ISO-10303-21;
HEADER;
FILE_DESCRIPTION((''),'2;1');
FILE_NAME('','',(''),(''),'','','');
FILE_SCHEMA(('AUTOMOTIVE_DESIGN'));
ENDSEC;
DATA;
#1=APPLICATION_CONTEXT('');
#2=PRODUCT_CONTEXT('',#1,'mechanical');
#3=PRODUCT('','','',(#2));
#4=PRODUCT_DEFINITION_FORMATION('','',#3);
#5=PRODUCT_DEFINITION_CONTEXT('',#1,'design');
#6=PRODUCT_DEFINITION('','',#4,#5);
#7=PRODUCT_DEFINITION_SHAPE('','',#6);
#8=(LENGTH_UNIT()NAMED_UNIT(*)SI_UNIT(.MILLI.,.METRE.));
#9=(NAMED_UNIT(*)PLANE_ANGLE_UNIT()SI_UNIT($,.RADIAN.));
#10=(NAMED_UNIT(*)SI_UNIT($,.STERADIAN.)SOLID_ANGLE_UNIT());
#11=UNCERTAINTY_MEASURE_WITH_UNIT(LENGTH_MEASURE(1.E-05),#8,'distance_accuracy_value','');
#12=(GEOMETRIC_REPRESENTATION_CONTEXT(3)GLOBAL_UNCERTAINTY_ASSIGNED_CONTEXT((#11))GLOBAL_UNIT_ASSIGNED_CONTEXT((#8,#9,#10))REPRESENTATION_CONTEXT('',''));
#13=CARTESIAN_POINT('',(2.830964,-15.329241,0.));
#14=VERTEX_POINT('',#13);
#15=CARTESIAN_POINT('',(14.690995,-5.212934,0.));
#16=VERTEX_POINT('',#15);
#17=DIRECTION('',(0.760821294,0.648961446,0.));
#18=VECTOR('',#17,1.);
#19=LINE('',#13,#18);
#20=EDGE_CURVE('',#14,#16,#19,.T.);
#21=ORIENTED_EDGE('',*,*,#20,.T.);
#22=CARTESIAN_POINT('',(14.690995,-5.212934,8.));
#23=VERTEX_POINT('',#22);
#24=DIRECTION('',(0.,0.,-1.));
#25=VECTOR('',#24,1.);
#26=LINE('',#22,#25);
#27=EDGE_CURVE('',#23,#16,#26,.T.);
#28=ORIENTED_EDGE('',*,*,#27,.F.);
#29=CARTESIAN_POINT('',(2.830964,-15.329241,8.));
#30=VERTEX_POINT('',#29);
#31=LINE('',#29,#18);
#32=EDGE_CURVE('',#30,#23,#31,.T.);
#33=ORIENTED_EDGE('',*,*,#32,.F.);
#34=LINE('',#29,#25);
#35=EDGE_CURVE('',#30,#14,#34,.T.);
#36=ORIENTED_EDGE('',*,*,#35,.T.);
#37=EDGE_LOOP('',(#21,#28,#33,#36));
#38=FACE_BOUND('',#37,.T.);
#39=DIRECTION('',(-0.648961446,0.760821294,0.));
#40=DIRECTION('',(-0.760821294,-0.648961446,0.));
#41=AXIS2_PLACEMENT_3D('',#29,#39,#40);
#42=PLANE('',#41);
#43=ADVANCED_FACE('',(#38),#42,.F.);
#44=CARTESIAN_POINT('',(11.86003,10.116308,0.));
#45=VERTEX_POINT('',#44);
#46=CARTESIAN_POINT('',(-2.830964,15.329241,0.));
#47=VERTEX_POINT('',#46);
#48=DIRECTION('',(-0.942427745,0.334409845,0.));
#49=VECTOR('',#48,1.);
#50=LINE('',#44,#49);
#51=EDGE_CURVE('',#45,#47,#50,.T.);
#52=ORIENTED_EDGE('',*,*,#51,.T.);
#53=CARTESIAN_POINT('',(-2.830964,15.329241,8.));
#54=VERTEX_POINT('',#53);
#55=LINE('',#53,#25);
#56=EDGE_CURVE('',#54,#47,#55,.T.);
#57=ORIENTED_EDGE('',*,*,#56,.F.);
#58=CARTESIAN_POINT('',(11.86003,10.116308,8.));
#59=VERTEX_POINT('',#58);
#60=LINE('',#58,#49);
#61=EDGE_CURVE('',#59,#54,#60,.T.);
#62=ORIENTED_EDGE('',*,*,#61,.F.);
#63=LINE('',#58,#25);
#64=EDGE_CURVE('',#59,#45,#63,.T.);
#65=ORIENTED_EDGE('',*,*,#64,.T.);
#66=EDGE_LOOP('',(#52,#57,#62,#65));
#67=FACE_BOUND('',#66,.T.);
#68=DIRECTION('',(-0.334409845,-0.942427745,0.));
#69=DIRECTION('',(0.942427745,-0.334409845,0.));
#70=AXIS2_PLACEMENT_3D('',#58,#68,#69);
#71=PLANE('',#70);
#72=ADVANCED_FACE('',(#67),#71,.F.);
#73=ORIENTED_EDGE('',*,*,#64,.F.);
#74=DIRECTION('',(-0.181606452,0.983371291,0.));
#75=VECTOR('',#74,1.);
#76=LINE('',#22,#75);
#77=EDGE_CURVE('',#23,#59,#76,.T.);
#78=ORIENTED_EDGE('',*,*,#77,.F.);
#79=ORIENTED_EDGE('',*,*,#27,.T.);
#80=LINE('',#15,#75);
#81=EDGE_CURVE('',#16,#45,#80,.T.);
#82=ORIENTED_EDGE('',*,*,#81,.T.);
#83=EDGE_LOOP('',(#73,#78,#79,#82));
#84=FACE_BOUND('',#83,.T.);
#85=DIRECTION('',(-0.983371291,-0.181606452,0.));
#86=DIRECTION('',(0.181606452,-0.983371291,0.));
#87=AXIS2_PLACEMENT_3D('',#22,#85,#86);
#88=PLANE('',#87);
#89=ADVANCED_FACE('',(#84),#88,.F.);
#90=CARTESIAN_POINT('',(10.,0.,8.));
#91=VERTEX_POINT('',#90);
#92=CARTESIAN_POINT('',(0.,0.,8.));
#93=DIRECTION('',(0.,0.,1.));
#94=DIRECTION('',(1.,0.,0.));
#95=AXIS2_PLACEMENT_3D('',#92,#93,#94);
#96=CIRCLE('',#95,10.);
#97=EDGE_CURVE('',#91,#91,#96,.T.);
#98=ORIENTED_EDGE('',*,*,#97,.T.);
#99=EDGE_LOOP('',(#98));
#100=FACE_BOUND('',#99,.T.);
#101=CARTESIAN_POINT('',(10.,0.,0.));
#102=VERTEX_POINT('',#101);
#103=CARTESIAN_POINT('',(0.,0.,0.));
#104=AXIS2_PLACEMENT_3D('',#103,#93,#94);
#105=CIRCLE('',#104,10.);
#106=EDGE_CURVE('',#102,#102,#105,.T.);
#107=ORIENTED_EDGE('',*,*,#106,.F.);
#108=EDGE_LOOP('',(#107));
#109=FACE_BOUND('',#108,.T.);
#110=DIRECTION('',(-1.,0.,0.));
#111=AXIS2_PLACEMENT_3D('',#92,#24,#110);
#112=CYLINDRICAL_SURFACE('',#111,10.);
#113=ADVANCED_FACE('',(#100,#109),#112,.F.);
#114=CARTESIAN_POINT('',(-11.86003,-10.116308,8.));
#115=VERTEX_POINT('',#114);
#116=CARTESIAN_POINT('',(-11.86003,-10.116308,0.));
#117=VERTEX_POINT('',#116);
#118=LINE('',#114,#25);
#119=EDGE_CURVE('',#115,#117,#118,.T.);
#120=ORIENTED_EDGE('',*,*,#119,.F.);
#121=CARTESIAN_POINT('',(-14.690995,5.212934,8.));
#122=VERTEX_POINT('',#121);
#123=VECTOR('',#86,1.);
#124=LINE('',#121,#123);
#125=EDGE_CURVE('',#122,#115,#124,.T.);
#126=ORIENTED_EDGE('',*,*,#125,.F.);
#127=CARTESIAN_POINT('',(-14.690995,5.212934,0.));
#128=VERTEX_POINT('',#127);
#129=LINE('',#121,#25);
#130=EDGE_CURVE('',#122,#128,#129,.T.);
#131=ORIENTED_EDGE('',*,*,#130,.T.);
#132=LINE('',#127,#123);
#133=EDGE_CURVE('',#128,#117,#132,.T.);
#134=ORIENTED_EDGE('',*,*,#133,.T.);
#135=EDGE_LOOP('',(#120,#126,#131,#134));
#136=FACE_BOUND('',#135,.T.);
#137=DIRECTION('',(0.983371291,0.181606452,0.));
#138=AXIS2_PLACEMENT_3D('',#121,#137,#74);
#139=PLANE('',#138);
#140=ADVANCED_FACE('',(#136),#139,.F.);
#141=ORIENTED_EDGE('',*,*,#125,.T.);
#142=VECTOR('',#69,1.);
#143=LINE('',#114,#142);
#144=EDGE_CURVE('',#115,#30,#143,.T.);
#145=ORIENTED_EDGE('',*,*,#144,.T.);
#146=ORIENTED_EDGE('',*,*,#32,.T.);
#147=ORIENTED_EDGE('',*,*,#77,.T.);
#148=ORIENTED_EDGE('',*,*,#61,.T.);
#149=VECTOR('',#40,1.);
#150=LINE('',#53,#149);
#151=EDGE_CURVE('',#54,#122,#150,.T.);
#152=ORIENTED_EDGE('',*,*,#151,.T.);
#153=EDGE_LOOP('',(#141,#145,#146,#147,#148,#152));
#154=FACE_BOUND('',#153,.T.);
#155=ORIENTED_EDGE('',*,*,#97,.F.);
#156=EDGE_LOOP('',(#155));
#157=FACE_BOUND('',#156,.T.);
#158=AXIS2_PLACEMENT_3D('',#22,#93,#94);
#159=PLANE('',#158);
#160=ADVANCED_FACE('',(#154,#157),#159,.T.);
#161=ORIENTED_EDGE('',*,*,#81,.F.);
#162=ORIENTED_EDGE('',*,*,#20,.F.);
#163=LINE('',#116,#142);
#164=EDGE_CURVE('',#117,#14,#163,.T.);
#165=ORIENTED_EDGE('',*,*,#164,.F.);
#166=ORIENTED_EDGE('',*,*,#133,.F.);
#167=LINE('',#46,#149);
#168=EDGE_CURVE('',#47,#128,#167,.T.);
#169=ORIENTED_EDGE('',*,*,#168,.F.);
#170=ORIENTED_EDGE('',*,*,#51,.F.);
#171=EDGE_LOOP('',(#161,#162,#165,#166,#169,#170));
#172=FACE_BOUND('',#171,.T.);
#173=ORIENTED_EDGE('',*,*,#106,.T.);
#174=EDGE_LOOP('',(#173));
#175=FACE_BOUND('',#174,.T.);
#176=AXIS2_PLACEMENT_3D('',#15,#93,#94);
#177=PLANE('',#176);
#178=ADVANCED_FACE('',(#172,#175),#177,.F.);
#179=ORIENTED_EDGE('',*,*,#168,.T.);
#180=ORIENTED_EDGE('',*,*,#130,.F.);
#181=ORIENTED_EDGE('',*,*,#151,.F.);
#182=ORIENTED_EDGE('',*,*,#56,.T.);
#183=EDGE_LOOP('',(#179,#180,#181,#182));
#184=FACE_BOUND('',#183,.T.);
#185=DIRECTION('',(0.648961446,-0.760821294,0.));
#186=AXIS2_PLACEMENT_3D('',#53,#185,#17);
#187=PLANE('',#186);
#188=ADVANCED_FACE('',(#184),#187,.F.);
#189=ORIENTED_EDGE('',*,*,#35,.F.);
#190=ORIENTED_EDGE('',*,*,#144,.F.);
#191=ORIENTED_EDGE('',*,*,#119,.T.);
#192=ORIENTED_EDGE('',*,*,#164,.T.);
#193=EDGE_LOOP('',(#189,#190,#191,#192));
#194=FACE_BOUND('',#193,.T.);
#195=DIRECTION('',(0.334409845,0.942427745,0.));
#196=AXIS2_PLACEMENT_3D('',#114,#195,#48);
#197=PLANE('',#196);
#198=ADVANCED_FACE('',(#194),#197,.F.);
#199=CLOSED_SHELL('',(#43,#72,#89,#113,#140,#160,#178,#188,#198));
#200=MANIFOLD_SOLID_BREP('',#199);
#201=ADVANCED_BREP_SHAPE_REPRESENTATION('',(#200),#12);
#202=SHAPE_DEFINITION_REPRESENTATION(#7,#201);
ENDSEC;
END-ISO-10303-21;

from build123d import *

# Parameters (mm, degrees)
SKETCH_1_R      = 10
EXTRUDE_1_DEPTH = 8


with BuildPart() as part:
    # 草图1 → 拉伸1 (new body)
    with BuildSketch(Plane.XY):
        Polygon((14.690994639, -5.212933581), (11.860030229, 10.116307773), (-2.83096441, 15.329241355), (-14.690994639, 5.212933581), (-11.860030229, -10.116307773), (2.83096441, -15.329241355), align=None)
        Circle(SKETCH_1_R, mode=Mode.SUBTRACT)
    extrude(amount=EXTRUDE_1_DEPTH)


solid = part.part
